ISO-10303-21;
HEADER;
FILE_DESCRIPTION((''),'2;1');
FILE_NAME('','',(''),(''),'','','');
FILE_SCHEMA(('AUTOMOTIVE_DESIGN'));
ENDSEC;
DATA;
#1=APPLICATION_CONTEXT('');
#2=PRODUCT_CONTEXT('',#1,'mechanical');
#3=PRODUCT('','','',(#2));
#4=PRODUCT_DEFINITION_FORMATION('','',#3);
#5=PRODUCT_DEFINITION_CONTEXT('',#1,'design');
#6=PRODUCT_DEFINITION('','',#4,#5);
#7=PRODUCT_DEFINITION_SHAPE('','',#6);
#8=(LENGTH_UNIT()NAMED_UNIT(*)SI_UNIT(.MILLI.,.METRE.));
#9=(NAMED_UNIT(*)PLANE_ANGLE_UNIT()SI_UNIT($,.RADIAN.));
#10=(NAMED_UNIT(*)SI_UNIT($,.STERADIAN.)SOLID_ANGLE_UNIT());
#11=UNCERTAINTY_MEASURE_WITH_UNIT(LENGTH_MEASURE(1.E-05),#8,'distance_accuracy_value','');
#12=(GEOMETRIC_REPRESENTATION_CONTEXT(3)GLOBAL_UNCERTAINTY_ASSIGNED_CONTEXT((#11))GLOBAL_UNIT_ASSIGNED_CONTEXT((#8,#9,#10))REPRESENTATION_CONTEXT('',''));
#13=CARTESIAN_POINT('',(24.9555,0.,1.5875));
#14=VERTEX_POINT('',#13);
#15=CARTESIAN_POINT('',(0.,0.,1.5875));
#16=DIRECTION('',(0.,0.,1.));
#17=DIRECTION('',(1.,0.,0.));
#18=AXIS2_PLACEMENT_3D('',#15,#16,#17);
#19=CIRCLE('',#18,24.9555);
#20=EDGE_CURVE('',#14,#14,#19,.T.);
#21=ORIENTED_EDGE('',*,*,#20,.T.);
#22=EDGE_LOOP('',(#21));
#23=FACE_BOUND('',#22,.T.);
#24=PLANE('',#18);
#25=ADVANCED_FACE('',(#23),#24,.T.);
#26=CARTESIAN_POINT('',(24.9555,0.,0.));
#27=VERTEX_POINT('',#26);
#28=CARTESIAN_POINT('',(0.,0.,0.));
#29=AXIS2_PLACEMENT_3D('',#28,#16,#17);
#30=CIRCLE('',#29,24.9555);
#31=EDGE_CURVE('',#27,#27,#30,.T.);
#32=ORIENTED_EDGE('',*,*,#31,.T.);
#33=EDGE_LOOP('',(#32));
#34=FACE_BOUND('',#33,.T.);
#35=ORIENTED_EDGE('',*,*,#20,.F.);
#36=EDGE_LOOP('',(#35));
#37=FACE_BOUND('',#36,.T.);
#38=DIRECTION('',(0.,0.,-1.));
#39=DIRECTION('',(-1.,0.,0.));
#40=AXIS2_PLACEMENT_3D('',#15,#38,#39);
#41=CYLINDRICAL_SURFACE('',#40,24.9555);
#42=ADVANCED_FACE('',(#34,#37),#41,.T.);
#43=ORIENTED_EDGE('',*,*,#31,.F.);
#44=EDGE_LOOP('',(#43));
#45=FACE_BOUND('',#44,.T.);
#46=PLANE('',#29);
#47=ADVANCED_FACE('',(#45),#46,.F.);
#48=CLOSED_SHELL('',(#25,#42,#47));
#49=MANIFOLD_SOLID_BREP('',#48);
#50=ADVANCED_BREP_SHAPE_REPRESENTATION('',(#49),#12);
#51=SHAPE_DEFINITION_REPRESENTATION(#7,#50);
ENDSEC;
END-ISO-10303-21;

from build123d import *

# Parameters (mm, degrees)
SKETCH1_R           = 24.9555
BOSS_EXTRUDE1_DEPTH = 1.5875


with BuildPart() as part:
    # Sketch1 → Boss-Extrude1 (new body)
    with BuildSketch(Plane.XY):
        Circle(SKETCH1_R)
    extrude(amount=BOSS_EXTRUDE1_DEPTH)


solid = part.part
